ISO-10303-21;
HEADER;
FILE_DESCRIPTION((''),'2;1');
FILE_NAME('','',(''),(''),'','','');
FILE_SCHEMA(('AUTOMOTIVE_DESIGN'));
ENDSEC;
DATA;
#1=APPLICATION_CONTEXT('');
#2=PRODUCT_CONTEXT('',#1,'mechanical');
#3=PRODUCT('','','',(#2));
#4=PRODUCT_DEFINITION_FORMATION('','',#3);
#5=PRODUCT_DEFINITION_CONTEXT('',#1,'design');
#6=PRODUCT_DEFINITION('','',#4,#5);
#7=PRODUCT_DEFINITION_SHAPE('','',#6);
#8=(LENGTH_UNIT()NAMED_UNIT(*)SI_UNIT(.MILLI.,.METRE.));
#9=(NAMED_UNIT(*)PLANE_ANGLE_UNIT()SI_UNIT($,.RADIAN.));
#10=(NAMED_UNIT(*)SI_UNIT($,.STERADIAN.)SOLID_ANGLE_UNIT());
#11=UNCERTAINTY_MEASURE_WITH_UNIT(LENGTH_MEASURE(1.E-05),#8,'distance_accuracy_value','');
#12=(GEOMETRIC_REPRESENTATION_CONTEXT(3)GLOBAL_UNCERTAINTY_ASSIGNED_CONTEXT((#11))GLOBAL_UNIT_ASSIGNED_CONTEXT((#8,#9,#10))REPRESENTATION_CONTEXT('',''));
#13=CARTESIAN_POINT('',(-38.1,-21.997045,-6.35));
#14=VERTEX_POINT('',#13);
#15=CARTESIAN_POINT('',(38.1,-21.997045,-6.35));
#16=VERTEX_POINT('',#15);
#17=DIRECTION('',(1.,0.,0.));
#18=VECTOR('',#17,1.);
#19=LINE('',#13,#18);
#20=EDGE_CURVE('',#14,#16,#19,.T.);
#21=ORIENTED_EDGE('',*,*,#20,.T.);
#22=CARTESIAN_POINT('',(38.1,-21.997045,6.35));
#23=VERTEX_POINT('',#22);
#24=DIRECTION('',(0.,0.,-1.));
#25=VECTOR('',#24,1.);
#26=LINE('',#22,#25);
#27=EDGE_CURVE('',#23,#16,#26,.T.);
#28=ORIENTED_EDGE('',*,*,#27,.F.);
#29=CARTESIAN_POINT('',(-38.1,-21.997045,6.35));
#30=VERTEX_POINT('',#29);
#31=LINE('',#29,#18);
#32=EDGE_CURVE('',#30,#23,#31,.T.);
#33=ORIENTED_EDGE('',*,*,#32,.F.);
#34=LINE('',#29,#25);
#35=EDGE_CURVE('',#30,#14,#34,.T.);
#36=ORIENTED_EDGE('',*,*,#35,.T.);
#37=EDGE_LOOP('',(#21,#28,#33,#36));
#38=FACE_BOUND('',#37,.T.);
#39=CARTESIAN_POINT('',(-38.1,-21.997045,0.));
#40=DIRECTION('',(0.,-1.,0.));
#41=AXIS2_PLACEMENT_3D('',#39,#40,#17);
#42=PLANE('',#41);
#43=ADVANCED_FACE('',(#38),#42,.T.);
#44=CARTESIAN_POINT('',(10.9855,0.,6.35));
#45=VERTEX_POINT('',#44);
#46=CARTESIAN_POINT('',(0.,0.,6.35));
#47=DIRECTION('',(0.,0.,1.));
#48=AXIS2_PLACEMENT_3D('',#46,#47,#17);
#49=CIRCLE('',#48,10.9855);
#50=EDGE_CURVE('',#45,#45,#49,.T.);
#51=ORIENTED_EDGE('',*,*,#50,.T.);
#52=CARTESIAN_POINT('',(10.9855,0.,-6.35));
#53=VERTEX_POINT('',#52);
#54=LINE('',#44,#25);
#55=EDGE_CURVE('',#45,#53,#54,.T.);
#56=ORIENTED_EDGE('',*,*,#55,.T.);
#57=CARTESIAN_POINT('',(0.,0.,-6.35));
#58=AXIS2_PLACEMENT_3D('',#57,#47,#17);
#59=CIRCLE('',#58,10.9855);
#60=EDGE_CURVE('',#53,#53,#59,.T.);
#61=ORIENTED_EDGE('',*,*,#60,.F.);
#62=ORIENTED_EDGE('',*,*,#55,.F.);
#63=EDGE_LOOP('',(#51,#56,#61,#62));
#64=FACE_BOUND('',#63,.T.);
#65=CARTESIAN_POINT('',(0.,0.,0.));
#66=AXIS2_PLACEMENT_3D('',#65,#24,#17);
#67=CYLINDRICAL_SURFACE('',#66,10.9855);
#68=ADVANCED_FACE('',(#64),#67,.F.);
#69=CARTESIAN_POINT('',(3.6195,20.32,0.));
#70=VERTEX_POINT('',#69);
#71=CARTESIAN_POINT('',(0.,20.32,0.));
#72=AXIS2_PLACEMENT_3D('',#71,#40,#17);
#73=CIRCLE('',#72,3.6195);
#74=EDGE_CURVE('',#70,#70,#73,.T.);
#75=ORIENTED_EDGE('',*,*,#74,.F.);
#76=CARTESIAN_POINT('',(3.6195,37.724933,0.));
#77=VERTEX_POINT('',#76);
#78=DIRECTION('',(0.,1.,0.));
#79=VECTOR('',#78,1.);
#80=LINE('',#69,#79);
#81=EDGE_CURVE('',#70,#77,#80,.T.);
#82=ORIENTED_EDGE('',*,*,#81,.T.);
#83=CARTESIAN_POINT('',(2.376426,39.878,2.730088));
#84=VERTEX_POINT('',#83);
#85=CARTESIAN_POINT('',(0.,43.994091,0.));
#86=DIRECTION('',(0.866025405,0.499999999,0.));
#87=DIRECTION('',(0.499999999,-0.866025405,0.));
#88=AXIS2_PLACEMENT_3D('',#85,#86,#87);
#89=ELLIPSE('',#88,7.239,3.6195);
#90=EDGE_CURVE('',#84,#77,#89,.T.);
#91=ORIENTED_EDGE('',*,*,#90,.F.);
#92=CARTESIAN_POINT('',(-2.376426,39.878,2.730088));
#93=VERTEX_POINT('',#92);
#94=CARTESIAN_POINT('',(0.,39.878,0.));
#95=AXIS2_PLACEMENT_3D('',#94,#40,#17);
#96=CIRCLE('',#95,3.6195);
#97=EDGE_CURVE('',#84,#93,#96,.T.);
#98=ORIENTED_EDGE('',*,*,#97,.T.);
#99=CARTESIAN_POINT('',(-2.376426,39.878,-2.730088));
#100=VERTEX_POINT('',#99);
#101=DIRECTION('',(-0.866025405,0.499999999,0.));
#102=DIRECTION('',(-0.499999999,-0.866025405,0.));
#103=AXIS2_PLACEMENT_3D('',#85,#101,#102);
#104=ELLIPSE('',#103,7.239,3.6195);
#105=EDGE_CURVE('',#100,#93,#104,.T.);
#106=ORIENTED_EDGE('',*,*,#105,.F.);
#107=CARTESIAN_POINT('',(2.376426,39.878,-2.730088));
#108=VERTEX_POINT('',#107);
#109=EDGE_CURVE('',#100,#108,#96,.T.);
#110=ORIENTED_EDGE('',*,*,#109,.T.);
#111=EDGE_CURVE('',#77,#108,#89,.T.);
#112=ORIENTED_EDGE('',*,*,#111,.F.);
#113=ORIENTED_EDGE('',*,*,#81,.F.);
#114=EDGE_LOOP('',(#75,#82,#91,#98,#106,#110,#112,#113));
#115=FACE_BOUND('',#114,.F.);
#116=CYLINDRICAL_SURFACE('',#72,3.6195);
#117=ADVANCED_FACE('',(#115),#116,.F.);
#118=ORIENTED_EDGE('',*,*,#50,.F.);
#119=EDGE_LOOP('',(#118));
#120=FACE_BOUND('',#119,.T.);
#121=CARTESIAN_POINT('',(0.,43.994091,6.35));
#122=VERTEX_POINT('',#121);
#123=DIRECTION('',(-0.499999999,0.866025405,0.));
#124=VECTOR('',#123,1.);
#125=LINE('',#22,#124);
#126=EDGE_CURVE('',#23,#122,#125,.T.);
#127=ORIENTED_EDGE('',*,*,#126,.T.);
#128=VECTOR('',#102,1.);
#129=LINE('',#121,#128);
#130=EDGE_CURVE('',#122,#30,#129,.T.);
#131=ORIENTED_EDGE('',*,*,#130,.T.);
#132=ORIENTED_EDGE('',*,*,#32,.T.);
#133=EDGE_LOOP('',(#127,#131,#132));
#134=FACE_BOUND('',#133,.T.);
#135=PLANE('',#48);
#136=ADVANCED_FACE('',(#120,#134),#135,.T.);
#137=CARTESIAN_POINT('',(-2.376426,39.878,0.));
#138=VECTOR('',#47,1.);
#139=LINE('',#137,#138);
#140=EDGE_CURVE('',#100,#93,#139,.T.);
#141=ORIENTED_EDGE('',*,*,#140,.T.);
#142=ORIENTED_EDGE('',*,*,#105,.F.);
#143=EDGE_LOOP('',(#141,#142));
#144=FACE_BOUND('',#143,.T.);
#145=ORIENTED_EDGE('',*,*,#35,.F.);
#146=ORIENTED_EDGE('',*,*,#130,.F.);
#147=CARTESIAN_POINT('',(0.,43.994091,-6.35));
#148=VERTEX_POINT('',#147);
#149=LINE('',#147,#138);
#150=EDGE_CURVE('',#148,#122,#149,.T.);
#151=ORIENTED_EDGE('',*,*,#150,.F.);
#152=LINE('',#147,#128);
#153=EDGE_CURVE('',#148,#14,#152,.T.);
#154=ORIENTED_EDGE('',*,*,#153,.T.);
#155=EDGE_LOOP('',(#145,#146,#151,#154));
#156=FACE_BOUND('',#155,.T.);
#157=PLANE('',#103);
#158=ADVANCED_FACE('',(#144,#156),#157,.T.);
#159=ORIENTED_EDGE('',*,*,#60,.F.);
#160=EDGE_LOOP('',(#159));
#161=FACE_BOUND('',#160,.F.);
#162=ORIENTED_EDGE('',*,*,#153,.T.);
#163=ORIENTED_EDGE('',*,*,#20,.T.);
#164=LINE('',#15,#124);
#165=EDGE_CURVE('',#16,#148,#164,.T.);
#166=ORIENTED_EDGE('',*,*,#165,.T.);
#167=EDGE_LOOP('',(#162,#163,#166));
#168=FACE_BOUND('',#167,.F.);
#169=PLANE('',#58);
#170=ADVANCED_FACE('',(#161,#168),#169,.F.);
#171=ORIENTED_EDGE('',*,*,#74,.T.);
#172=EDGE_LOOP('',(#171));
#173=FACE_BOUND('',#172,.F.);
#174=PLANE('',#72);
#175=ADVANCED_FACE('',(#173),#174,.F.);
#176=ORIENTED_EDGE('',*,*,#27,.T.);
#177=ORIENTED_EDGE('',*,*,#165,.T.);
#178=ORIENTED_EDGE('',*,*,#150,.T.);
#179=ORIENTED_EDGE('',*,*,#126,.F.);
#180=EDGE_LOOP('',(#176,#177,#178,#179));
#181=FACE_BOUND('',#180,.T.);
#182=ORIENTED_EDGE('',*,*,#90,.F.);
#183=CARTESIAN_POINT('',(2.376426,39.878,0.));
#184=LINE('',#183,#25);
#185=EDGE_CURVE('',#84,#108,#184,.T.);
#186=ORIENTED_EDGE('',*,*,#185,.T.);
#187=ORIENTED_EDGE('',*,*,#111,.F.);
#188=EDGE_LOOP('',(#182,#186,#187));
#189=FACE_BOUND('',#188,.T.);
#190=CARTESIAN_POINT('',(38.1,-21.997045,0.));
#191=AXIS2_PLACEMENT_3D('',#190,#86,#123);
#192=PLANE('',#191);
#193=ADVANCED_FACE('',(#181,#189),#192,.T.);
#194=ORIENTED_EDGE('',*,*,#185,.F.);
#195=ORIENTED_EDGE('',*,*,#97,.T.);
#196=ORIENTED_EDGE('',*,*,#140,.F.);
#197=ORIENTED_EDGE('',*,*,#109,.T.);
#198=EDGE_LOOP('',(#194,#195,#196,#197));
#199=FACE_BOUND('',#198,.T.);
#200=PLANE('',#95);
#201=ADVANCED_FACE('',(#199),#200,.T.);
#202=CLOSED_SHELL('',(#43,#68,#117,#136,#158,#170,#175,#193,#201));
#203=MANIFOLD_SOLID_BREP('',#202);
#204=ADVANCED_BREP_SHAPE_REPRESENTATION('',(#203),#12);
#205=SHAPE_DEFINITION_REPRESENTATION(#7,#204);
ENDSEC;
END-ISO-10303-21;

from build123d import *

# Parameters (mm, degrees)
F0_R     = 10.9855
F3_DEPTH = 6.35
F2_R     = 3.6195
F4_DEPTH = 19.558


with BuildPart() as f3:
    # F0 (on Top) → F3 (new body, symmetric)
    with BuildSketch(Plane.XY):
        Polygon((38.1, -21.997045), (0, 43.994091), (-38.1, -21.997045), align=None)
        Circle(F0_R, mode=Mode.SUBTRACT)
    extrude(amount=F3_DEPTH, both=True)

    # F2 (on offset) → F4 (cut)
    with BuildSketch(Plane.XZ.offset(-20.32)):
        Circle(F2_R)
    extrude(amount=-F4_DEPTH, mode=Mode.SUBTRACT)


solid = f3.part
